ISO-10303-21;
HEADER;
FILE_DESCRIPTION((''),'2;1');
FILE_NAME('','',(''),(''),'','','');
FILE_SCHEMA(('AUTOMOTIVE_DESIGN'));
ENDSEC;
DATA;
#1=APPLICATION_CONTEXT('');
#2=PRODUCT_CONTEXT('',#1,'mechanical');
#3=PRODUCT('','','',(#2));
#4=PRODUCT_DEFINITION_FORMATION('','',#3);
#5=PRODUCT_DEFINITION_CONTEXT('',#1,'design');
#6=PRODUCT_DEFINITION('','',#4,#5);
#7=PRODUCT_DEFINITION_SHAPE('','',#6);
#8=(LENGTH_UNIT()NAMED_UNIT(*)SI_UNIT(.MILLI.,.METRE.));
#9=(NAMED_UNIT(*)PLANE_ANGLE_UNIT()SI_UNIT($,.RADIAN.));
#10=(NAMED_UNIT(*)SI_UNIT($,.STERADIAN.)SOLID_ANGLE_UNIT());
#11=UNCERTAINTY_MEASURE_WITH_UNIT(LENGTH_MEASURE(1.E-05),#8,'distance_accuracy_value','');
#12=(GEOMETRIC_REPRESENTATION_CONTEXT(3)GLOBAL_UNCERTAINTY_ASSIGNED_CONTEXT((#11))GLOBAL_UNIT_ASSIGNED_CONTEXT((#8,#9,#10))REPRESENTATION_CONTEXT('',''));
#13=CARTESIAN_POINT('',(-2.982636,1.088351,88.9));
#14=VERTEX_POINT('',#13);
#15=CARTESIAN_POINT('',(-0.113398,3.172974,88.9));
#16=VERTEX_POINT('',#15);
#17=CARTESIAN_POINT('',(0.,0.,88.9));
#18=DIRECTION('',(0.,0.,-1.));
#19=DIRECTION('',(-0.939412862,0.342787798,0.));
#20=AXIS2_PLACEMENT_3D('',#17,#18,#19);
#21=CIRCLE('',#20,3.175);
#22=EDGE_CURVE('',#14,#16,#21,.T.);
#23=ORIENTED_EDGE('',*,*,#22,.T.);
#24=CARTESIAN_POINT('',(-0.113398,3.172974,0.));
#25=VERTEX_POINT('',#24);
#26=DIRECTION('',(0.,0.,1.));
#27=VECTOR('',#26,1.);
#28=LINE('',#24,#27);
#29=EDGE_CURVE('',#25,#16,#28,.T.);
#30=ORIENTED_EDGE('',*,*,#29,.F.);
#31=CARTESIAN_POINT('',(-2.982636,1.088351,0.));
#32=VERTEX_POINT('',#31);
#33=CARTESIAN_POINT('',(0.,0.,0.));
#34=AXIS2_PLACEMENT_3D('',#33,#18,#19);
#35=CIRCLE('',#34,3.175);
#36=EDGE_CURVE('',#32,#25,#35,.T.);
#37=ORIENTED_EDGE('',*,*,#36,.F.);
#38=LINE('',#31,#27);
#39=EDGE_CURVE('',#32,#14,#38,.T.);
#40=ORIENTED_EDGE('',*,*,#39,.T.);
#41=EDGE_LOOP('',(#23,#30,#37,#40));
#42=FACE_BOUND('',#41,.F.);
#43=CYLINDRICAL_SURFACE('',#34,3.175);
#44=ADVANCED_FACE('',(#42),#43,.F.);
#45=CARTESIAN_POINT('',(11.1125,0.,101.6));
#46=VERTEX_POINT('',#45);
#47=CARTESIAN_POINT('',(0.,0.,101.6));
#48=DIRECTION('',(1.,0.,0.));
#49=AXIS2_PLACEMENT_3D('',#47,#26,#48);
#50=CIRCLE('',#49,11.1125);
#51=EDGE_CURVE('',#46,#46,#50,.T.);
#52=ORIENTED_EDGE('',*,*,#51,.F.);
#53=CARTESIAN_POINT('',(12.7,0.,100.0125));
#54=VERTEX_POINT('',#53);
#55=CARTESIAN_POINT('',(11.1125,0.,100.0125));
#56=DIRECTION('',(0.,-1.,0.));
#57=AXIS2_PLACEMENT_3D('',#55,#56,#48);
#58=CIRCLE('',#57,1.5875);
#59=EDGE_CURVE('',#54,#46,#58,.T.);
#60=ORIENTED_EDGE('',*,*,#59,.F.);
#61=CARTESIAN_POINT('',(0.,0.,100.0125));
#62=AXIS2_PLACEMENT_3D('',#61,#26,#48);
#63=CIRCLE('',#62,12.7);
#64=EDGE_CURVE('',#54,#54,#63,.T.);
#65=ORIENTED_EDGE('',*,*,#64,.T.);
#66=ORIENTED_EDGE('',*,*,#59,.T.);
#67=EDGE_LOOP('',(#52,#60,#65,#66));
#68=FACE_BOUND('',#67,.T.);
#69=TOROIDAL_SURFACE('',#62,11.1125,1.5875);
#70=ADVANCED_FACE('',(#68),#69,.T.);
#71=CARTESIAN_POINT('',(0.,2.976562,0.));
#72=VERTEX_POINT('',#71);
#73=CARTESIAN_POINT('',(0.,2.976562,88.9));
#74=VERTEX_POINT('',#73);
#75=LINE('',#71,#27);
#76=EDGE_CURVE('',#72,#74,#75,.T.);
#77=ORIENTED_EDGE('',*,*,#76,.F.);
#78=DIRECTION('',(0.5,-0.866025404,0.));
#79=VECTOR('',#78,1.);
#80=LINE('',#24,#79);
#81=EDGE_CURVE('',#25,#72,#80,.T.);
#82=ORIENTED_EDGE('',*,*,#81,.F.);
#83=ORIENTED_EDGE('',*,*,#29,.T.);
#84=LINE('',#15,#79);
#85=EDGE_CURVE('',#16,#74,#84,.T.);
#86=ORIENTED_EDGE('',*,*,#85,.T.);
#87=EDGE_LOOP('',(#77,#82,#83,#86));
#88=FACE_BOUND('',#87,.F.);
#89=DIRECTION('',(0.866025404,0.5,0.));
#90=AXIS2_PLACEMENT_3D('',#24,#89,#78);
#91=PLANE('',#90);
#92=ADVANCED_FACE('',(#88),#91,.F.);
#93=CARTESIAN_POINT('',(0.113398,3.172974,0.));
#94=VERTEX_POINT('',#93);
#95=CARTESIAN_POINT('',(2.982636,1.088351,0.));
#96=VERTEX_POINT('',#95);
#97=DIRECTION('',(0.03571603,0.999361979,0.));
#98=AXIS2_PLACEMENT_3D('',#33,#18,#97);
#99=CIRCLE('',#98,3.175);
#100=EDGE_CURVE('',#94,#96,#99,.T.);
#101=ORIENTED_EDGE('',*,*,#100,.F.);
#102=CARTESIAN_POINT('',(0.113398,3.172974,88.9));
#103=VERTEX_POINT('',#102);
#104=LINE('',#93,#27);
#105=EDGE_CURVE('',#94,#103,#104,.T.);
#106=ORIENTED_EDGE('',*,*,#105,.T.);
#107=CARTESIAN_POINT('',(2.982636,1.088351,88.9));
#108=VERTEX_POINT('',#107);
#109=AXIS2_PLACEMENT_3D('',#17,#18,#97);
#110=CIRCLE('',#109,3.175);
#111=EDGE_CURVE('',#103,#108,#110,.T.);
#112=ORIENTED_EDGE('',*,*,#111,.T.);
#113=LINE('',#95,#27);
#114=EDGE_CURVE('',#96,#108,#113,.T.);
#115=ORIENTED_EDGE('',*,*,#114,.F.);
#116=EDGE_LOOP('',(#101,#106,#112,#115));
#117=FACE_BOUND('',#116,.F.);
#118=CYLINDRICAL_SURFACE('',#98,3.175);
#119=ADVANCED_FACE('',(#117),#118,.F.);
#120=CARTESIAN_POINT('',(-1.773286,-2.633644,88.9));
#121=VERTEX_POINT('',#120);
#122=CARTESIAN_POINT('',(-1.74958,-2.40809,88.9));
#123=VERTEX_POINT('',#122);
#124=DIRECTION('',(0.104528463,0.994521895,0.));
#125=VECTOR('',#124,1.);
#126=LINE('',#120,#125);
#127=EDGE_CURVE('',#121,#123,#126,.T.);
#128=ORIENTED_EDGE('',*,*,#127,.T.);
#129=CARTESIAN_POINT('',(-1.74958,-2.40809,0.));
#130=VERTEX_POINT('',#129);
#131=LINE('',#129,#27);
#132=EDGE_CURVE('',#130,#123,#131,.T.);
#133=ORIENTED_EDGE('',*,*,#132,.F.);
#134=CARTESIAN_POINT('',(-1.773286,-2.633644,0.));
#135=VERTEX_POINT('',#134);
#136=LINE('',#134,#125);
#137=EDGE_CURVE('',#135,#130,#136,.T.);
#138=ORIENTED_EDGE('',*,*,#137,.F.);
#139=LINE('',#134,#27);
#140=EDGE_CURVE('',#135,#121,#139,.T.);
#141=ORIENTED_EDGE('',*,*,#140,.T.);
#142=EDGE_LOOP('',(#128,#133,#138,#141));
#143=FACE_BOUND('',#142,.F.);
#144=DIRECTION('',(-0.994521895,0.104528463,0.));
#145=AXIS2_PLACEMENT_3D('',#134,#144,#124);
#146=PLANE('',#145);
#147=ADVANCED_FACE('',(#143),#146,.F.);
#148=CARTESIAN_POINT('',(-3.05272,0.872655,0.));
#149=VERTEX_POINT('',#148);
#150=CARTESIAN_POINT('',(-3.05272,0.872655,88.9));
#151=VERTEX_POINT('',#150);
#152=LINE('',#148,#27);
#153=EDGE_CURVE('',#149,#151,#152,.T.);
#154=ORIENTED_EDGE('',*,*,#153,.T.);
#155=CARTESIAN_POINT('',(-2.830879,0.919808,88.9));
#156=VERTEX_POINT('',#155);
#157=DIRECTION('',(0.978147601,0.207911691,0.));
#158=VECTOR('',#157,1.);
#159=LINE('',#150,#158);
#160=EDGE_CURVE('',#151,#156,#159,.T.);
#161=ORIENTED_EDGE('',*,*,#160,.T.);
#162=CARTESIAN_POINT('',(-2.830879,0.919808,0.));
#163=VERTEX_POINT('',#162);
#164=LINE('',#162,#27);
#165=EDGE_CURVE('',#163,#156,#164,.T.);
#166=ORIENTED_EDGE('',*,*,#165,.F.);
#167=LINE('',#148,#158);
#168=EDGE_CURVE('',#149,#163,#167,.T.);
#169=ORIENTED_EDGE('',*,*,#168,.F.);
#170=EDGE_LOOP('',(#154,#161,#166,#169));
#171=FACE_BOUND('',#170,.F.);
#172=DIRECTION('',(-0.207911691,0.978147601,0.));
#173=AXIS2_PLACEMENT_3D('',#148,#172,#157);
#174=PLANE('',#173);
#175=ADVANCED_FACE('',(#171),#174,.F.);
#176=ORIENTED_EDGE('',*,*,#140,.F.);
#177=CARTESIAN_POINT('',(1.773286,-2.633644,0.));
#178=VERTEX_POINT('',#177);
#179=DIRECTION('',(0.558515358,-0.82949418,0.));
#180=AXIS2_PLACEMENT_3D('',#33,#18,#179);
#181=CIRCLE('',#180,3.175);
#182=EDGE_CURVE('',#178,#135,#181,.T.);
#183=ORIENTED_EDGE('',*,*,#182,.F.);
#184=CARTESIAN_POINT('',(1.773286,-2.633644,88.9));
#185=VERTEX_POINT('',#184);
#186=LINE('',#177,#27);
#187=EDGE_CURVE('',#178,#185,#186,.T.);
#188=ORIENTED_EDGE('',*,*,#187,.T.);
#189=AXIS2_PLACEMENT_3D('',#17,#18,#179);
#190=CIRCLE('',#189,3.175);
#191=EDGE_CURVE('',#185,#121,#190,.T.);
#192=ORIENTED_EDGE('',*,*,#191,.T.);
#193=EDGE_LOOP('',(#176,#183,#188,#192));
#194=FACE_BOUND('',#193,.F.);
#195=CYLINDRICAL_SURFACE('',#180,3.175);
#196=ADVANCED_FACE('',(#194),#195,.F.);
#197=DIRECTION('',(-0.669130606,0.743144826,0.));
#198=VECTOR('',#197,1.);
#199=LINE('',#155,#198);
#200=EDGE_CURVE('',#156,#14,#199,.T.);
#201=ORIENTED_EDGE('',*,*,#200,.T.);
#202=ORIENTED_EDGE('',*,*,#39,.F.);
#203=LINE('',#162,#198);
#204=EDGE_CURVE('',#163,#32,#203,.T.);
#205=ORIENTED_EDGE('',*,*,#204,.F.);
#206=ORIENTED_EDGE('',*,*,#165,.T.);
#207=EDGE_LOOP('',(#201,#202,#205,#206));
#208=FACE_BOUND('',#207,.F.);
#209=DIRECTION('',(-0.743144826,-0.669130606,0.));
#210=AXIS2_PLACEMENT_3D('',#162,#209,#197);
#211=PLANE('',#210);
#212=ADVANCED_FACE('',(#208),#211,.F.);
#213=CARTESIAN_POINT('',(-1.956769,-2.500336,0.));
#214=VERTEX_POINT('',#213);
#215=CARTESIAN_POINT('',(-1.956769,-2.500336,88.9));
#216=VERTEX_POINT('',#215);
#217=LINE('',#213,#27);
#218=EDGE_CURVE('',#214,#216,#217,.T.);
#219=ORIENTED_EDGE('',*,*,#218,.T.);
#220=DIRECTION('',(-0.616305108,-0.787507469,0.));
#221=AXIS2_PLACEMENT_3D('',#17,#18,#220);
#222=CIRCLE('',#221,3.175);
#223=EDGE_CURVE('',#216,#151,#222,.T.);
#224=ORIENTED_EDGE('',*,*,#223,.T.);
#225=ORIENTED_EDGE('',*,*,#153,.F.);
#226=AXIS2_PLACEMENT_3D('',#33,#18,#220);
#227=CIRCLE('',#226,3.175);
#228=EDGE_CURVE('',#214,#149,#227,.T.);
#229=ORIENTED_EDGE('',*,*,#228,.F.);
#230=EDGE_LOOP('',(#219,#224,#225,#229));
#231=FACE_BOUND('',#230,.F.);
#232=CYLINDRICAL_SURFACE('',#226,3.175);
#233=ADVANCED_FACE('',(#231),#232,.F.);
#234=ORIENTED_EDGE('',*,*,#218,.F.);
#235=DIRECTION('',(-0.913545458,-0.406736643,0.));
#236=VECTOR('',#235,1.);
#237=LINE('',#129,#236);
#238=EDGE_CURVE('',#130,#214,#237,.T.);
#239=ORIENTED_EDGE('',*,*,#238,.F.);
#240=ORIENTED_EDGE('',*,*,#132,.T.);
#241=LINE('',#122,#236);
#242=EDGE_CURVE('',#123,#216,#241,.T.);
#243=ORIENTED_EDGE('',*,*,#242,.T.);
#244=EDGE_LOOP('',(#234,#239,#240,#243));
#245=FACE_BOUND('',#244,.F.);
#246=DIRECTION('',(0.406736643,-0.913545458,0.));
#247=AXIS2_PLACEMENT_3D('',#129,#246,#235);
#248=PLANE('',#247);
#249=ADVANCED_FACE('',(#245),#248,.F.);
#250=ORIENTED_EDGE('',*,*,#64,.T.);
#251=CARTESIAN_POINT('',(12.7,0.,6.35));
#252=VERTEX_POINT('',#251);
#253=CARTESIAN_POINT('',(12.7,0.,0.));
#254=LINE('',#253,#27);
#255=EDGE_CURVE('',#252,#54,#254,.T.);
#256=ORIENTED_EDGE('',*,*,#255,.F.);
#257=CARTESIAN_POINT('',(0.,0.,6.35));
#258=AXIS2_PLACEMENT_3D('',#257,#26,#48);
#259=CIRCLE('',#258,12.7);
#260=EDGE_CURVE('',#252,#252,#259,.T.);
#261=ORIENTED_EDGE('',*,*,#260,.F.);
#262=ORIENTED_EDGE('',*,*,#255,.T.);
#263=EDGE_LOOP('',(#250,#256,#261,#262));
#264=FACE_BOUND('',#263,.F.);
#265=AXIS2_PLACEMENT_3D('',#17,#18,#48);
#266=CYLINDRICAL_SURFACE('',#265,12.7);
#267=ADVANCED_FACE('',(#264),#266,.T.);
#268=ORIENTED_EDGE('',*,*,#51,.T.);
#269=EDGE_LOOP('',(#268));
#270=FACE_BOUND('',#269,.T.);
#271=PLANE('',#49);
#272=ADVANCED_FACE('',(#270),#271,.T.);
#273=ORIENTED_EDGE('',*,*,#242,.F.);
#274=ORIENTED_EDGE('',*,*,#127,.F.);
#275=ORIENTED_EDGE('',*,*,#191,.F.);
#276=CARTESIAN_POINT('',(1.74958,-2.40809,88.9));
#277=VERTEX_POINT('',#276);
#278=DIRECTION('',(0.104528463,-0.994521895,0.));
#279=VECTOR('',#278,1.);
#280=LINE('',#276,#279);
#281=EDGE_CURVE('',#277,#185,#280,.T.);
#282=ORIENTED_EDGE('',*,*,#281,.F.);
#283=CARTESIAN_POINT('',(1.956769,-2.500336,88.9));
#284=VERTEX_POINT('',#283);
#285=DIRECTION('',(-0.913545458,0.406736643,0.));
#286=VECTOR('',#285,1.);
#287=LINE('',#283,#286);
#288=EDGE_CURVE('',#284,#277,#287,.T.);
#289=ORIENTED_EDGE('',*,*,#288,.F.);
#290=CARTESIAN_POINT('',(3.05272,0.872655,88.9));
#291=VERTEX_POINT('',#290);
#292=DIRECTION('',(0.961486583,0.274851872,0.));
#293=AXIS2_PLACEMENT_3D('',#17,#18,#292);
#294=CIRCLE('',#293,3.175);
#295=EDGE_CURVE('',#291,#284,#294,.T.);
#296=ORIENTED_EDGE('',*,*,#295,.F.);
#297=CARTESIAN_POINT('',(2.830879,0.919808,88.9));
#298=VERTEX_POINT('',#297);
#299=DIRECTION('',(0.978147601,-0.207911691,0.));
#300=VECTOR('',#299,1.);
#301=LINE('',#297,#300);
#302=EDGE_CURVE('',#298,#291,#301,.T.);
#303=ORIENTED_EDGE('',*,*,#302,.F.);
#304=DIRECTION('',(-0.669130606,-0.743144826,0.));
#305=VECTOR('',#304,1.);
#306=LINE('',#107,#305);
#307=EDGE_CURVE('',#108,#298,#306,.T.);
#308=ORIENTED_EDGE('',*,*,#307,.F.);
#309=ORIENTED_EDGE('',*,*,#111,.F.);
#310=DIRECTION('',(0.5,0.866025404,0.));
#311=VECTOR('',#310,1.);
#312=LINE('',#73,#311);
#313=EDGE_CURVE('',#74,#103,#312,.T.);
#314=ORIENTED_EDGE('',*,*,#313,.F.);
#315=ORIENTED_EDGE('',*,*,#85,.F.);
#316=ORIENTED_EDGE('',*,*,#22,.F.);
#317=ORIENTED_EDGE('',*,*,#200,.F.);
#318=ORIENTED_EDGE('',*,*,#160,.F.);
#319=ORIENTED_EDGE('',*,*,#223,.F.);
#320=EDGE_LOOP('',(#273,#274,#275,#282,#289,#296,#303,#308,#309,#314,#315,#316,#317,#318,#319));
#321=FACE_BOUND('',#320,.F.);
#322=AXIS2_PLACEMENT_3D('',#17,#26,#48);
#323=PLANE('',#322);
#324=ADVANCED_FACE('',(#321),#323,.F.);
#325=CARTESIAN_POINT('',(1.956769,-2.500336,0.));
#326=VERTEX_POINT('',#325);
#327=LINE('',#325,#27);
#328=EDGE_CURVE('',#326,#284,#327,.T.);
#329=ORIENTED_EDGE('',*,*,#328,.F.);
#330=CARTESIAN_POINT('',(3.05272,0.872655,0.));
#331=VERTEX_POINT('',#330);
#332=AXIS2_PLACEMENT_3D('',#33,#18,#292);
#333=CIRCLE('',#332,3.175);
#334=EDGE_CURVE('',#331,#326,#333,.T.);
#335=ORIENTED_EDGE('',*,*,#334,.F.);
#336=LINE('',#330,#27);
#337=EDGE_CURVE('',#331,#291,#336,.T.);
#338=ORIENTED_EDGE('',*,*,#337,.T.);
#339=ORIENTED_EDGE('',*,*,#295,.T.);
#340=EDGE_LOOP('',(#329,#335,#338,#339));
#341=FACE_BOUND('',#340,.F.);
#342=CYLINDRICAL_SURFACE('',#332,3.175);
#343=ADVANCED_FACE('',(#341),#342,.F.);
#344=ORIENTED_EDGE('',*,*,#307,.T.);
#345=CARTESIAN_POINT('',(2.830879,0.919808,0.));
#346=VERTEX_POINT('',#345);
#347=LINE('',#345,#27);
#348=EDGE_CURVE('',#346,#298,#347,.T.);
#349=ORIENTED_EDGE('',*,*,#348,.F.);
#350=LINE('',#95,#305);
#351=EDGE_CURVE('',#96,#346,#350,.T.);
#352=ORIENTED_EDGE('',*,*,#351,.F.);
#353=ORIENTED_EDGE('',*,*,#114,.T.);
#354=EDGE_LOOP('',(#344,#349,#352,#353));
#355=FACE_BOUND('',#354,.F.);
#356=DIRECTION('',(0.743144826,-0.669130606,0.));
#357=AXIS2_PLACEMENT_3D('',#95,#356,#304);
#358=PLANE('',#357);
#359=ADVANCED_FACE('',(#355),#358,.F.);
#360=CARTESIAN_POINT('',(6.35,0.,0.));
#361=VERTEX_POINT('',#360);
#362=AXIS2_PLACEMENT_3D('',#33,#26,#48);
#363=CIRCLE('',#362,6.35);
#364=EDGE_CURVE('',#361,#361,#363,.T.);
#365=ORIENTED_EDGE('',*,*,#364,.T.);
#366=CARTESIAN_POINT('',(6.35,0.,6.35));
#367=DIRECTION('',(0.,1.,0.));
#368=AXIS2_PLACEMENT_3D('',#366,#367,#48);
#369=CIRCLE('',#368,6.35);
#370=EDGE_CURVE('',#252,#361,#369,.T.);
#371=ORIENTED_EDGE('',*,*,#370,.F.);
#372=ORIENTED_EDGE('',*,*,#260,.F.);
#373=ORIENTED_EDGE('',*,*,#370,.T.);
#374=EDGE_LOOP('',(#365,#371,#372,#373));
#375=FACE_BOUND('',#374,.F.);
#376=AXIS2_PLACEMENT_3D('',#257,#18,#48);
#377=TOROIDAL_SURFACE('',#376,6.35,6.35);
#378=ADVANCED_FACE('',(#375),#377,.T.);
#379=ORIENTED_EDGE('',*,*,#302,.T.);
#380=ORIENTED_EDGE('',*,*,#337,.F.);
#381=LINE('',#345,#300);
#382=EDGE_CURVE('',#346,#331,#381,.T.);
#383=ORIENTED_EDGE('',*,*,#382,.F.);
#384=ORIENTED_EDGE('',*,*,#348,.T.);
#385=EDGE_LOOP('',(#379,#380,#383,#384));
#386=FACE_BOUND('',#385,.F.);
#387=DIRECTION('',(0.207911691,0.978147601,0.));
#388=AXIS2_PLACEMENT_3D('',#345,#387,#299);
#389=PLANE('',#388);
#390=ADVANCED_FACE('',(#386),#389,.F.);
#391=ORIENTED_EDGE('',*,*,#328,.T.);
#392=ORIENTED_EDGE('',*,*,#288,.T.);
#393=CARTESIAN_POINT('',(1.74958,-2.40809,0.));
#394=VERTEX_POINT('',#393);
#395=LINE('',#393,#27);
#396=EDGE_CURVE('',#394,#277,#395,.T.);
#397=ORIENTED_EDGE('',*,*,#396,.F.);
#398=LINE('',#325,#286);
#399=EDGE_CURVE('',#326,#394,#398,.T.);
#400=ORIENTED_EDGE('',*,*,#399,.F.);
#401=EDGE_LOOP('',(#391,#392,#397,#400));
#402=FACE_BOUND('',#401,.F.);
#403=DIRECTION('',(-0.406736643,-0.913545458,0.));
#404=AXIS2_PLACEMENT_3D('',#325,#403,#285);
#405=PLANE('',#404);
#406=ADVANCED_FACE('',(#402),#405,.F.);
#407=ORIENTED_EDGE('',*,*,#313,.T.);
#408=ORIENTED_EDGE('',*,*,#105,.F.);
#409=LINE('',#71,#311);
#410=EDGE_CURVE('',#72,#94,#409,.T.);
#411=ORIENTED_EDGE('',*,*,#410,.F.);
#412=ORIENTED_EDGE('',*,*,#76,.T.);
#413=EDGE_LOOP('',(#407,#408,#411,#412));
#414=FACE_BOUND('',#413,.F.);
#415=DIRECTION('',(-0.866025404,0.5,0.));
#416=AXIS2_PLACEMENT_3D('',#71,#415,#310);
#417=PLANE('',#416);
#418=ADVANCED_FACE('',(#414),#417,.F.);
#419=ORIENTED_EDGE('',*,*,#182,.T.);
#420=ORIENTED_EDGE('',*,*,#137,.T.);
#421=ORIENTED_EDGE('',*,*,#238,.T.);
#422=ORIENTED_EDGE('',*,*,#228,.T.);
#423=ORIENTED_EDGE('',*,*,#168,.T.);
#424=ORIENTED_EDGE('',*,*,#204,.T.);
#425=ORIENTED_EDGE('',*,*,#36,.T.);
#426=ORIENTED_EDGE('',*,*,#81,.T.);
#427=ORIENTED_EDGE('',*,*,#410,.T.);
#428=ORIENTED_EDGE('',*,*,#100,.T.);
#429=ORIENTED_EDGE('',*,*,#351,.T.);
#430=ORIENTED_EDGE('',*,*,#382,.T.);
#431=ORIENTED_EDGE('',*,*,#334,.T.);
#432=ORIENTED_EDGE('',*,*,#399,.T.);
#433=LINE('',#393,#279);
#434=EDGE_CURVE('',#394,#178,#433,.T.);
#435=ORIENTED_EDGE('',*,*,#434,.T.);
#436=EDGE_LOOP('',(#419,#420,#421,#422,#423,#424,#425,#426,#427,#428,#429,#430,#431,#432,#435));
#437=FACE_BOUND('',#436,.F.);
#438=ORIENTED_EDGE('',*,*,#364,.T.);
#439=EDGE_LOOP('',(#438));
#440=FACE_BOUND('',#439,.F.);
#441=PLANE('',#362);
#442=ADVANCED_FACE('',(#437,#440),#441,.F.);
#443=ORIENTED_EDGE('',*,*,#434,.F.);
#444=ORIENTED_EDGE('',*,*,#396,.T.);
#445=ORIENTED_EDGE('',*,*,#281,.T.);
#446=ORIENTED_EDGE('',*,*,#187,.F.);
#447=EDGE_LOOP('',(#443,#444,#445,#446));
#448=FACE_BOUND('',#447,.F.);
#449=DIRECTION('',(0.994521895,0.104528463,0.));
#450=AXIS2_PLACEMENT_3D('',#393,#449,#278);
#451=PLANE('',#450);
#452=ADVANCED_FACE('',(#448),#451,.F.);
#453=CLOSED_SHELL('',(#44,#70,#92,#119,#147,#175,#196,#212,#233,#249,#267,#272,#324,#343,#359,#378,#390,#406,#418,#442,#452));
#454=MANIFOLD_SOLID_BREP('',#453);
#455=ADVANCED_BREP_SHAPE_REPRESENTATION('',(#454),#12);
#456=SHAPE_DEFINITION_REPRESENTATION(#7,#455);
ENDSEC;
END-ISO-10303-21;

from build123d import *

# Parameters (mm, degrees)
F0_R     = 12.7
F1_DEPTH = 88.9
F2_R     = 12.7
F3_DEPTH = 12.7
F4_R     = 1.5875
F5_R     = 6.35


with BuildPart() as f1:
    # F0 (on Top) → F1 (new body)
    with BuildSketch(Plane.XY):
        Circle(F0_R)
        with BuildLine():
            ThreePointArc((-2.9826358368, 1.0883512598), (-1.866218176, 2.5686289571), (-0.1133983961, 3.1729742835))
            Line((-0.1133983961, 3.1729742835), (0, 2.9765625))
            Line((0, 2.9765625), (0.1133983961, 3.1729742835))
            ThreePointArc((0.1133983961, 3.1729742835), (1.866218176, 2.5686289571), (2.9826358368, 1.0883512598))
            Line((2.9826358368, 1.0883512598), (2.8308791618, 0.9198083973))
            Line((2.8308791618, 0.9198083973), (3.0527198999, 0.8726546928))
            ThreePointArc((3.0527198999, 0.8726546928), (3.0196044392, -0.9811289571), (1.9567687193, -2.5003362132))
            Line((1.9567687193, -2.5003362132), (1.74957954, -2.4080896473))
            Line((1.74957954, -2.4080896473), (1.7732862602, -2.6336440229))
            ThreePointArc((1.7732862602, -2.6336440229), (0, -3.175), (-1.7732862602, -2.6336440229))
            Line((-1.7732862602, -2.6336440229), (-1.74957954, -2.4080896473))
            Line((-1.74957954, -2.4080896473), (-1.9567687193, -2.5003362132))
            ThreePointArc((-1.9567687193, -2.5003362132), (-3.0196044392, -0.9811289571), (-3.0527198999, 0.8726546928))
            Line((-3.0527198999, 0.8726546928), (-2.8308791618, 0.9198083973))
            Line((-2.8308791618, 0.9198083973), (-2.9826358368, 1.0883512598))
        make_face(mode=Mode.SUBTRACT)
    extrude(amount=F1_DEPTH)

    # F2 (on face) → F3 (join)
    with BuildSketch(Plane.XY.offset(88.9)):
        Circle(F2_R)
        with BuildLine():
            Line((-2.8308791618, 0.9198083973), (-2.9826358368, 1.0883512598))
            ThreePointArc((-2.9826358368, 1.0883512598), (-1.866218176, 2.5686289571), (-0.1133983961, 3.1729742835))
            Line((-0.1133983961, 3.1729742835), (0, 2.9765625))
            Line((0, 2.9765625), (0.1133983961, 3.1729742835))
            ThreePointArc((0.1133983961, 3.1729742835), (1.866218176, 2.5686289571), (2.9826358368, 1.0883512598))
            Line((2.9826358368, 1.0883512598), (2.8308791618, 0.9198083973))
            Line((2.8308791618, 0.9198083973), (3.0527198999, 0.8726546928))
            ThreePointArc((3.0527198999, 0.8726546928), (3.0196044392, -0.9811289571), (1.9567687193, -2.5003362132))
            Line((1.9567687193, -2.5003362132), (1.74957954, -2.4080896473))
            Line((1.74957954, -2.4080896473), (1.7732862602, -2.6336440229))
            ThreePointArc((1.7732862602, -2.6336440229), (0, -3.175), (-1.7732862602, -2.6336440229))
            Line((-1.7732862602, -2.6336440229), (-1.74957954, -2.4080896473))
            Line((-1.74957954, -2.4080896473), (-1.9567687193, -2.5003362132))
            ThreePointArc((-1.9567687193, -2.5003362132), (-3.0196044392, -0.9811289571), (-3.0527198999, 0.8726546928))
            Line((-3.0527198999, 0.8726546928), (-2.8308791618, 0.9198083973))
        make_face(mode=Mode.SUBTRACT)
        with BuildLine():
            ThreePointArc((-0.1133983961, 3.1729742835), (-1.866218176, 2.5686289571), (-2.9826358368, 1.0883512598))
            Line((-2.9826358368, 1.0883512598), (-2.8308791618, 0.9198083973))
            Line((-2.8308791618, 0.9198083973), (-3.0527198999, 0.8726546928))
            ThreePointArc((-3.0527198999, 0.8726546928), (-3.0196044392, -0.9811289571), (-1.9567687193, -2.5003362132))
            Line((-1.9567687193, -2.5003362132), (-1.74957954, -2.4080896473))
            Line((-1.74957954, -2.4080896473), (-1.7732862602, -2.6336440229))
            ThreePointArc((-1.7732862602, -2.6336440229), (0, -3.175), (1.7732862602, -2.6336440229))
            Line((1.7732862602, -2.6336440229), (1.74957954, -2.4080896473))
            Line((1.74957954, -2.4080896473), (1.9567687193, -2.5003362132))
            ThreePointArc((1.9567687193, -2.5003362132), (3.0196044392, -0.9811289571), (3.0527198999, 0.8726546928))
            Line((3.0527198999, 0.8726546928), (2.8308791618, 0.9198083973))
            Line((2.8308791618, 0.9198083973), (2.9826358368, 1.0883512598))
            ThreePointArc((2.9826358368, 1.0883512598), (1.866218176, 2.5686289571), (0.1133983961, 3.1729742835))
            Line((0.1133983961, 3.1729742835), (0, 2.9765625))
            Line((0, 2.9765625), (-0.1133983961, 3.1729742835))
        make_face()
    extrude(amount=F3_DEPTH)

    # F4
    f4_edges = [f1.edges().sort_by_distance(p)[0] for p in [
        (-12.7, 0, 101.6),
    ]]
    fillet(f4_edges, radius=F4_R)

    # F5
    f5_edges = [f1.edges().sort_by_distance(p)[0] for p in [
        (-12.7, 0, 0),
    ]]
    fillet(f5_edges, radius=F5_R)


solid = f1.part
